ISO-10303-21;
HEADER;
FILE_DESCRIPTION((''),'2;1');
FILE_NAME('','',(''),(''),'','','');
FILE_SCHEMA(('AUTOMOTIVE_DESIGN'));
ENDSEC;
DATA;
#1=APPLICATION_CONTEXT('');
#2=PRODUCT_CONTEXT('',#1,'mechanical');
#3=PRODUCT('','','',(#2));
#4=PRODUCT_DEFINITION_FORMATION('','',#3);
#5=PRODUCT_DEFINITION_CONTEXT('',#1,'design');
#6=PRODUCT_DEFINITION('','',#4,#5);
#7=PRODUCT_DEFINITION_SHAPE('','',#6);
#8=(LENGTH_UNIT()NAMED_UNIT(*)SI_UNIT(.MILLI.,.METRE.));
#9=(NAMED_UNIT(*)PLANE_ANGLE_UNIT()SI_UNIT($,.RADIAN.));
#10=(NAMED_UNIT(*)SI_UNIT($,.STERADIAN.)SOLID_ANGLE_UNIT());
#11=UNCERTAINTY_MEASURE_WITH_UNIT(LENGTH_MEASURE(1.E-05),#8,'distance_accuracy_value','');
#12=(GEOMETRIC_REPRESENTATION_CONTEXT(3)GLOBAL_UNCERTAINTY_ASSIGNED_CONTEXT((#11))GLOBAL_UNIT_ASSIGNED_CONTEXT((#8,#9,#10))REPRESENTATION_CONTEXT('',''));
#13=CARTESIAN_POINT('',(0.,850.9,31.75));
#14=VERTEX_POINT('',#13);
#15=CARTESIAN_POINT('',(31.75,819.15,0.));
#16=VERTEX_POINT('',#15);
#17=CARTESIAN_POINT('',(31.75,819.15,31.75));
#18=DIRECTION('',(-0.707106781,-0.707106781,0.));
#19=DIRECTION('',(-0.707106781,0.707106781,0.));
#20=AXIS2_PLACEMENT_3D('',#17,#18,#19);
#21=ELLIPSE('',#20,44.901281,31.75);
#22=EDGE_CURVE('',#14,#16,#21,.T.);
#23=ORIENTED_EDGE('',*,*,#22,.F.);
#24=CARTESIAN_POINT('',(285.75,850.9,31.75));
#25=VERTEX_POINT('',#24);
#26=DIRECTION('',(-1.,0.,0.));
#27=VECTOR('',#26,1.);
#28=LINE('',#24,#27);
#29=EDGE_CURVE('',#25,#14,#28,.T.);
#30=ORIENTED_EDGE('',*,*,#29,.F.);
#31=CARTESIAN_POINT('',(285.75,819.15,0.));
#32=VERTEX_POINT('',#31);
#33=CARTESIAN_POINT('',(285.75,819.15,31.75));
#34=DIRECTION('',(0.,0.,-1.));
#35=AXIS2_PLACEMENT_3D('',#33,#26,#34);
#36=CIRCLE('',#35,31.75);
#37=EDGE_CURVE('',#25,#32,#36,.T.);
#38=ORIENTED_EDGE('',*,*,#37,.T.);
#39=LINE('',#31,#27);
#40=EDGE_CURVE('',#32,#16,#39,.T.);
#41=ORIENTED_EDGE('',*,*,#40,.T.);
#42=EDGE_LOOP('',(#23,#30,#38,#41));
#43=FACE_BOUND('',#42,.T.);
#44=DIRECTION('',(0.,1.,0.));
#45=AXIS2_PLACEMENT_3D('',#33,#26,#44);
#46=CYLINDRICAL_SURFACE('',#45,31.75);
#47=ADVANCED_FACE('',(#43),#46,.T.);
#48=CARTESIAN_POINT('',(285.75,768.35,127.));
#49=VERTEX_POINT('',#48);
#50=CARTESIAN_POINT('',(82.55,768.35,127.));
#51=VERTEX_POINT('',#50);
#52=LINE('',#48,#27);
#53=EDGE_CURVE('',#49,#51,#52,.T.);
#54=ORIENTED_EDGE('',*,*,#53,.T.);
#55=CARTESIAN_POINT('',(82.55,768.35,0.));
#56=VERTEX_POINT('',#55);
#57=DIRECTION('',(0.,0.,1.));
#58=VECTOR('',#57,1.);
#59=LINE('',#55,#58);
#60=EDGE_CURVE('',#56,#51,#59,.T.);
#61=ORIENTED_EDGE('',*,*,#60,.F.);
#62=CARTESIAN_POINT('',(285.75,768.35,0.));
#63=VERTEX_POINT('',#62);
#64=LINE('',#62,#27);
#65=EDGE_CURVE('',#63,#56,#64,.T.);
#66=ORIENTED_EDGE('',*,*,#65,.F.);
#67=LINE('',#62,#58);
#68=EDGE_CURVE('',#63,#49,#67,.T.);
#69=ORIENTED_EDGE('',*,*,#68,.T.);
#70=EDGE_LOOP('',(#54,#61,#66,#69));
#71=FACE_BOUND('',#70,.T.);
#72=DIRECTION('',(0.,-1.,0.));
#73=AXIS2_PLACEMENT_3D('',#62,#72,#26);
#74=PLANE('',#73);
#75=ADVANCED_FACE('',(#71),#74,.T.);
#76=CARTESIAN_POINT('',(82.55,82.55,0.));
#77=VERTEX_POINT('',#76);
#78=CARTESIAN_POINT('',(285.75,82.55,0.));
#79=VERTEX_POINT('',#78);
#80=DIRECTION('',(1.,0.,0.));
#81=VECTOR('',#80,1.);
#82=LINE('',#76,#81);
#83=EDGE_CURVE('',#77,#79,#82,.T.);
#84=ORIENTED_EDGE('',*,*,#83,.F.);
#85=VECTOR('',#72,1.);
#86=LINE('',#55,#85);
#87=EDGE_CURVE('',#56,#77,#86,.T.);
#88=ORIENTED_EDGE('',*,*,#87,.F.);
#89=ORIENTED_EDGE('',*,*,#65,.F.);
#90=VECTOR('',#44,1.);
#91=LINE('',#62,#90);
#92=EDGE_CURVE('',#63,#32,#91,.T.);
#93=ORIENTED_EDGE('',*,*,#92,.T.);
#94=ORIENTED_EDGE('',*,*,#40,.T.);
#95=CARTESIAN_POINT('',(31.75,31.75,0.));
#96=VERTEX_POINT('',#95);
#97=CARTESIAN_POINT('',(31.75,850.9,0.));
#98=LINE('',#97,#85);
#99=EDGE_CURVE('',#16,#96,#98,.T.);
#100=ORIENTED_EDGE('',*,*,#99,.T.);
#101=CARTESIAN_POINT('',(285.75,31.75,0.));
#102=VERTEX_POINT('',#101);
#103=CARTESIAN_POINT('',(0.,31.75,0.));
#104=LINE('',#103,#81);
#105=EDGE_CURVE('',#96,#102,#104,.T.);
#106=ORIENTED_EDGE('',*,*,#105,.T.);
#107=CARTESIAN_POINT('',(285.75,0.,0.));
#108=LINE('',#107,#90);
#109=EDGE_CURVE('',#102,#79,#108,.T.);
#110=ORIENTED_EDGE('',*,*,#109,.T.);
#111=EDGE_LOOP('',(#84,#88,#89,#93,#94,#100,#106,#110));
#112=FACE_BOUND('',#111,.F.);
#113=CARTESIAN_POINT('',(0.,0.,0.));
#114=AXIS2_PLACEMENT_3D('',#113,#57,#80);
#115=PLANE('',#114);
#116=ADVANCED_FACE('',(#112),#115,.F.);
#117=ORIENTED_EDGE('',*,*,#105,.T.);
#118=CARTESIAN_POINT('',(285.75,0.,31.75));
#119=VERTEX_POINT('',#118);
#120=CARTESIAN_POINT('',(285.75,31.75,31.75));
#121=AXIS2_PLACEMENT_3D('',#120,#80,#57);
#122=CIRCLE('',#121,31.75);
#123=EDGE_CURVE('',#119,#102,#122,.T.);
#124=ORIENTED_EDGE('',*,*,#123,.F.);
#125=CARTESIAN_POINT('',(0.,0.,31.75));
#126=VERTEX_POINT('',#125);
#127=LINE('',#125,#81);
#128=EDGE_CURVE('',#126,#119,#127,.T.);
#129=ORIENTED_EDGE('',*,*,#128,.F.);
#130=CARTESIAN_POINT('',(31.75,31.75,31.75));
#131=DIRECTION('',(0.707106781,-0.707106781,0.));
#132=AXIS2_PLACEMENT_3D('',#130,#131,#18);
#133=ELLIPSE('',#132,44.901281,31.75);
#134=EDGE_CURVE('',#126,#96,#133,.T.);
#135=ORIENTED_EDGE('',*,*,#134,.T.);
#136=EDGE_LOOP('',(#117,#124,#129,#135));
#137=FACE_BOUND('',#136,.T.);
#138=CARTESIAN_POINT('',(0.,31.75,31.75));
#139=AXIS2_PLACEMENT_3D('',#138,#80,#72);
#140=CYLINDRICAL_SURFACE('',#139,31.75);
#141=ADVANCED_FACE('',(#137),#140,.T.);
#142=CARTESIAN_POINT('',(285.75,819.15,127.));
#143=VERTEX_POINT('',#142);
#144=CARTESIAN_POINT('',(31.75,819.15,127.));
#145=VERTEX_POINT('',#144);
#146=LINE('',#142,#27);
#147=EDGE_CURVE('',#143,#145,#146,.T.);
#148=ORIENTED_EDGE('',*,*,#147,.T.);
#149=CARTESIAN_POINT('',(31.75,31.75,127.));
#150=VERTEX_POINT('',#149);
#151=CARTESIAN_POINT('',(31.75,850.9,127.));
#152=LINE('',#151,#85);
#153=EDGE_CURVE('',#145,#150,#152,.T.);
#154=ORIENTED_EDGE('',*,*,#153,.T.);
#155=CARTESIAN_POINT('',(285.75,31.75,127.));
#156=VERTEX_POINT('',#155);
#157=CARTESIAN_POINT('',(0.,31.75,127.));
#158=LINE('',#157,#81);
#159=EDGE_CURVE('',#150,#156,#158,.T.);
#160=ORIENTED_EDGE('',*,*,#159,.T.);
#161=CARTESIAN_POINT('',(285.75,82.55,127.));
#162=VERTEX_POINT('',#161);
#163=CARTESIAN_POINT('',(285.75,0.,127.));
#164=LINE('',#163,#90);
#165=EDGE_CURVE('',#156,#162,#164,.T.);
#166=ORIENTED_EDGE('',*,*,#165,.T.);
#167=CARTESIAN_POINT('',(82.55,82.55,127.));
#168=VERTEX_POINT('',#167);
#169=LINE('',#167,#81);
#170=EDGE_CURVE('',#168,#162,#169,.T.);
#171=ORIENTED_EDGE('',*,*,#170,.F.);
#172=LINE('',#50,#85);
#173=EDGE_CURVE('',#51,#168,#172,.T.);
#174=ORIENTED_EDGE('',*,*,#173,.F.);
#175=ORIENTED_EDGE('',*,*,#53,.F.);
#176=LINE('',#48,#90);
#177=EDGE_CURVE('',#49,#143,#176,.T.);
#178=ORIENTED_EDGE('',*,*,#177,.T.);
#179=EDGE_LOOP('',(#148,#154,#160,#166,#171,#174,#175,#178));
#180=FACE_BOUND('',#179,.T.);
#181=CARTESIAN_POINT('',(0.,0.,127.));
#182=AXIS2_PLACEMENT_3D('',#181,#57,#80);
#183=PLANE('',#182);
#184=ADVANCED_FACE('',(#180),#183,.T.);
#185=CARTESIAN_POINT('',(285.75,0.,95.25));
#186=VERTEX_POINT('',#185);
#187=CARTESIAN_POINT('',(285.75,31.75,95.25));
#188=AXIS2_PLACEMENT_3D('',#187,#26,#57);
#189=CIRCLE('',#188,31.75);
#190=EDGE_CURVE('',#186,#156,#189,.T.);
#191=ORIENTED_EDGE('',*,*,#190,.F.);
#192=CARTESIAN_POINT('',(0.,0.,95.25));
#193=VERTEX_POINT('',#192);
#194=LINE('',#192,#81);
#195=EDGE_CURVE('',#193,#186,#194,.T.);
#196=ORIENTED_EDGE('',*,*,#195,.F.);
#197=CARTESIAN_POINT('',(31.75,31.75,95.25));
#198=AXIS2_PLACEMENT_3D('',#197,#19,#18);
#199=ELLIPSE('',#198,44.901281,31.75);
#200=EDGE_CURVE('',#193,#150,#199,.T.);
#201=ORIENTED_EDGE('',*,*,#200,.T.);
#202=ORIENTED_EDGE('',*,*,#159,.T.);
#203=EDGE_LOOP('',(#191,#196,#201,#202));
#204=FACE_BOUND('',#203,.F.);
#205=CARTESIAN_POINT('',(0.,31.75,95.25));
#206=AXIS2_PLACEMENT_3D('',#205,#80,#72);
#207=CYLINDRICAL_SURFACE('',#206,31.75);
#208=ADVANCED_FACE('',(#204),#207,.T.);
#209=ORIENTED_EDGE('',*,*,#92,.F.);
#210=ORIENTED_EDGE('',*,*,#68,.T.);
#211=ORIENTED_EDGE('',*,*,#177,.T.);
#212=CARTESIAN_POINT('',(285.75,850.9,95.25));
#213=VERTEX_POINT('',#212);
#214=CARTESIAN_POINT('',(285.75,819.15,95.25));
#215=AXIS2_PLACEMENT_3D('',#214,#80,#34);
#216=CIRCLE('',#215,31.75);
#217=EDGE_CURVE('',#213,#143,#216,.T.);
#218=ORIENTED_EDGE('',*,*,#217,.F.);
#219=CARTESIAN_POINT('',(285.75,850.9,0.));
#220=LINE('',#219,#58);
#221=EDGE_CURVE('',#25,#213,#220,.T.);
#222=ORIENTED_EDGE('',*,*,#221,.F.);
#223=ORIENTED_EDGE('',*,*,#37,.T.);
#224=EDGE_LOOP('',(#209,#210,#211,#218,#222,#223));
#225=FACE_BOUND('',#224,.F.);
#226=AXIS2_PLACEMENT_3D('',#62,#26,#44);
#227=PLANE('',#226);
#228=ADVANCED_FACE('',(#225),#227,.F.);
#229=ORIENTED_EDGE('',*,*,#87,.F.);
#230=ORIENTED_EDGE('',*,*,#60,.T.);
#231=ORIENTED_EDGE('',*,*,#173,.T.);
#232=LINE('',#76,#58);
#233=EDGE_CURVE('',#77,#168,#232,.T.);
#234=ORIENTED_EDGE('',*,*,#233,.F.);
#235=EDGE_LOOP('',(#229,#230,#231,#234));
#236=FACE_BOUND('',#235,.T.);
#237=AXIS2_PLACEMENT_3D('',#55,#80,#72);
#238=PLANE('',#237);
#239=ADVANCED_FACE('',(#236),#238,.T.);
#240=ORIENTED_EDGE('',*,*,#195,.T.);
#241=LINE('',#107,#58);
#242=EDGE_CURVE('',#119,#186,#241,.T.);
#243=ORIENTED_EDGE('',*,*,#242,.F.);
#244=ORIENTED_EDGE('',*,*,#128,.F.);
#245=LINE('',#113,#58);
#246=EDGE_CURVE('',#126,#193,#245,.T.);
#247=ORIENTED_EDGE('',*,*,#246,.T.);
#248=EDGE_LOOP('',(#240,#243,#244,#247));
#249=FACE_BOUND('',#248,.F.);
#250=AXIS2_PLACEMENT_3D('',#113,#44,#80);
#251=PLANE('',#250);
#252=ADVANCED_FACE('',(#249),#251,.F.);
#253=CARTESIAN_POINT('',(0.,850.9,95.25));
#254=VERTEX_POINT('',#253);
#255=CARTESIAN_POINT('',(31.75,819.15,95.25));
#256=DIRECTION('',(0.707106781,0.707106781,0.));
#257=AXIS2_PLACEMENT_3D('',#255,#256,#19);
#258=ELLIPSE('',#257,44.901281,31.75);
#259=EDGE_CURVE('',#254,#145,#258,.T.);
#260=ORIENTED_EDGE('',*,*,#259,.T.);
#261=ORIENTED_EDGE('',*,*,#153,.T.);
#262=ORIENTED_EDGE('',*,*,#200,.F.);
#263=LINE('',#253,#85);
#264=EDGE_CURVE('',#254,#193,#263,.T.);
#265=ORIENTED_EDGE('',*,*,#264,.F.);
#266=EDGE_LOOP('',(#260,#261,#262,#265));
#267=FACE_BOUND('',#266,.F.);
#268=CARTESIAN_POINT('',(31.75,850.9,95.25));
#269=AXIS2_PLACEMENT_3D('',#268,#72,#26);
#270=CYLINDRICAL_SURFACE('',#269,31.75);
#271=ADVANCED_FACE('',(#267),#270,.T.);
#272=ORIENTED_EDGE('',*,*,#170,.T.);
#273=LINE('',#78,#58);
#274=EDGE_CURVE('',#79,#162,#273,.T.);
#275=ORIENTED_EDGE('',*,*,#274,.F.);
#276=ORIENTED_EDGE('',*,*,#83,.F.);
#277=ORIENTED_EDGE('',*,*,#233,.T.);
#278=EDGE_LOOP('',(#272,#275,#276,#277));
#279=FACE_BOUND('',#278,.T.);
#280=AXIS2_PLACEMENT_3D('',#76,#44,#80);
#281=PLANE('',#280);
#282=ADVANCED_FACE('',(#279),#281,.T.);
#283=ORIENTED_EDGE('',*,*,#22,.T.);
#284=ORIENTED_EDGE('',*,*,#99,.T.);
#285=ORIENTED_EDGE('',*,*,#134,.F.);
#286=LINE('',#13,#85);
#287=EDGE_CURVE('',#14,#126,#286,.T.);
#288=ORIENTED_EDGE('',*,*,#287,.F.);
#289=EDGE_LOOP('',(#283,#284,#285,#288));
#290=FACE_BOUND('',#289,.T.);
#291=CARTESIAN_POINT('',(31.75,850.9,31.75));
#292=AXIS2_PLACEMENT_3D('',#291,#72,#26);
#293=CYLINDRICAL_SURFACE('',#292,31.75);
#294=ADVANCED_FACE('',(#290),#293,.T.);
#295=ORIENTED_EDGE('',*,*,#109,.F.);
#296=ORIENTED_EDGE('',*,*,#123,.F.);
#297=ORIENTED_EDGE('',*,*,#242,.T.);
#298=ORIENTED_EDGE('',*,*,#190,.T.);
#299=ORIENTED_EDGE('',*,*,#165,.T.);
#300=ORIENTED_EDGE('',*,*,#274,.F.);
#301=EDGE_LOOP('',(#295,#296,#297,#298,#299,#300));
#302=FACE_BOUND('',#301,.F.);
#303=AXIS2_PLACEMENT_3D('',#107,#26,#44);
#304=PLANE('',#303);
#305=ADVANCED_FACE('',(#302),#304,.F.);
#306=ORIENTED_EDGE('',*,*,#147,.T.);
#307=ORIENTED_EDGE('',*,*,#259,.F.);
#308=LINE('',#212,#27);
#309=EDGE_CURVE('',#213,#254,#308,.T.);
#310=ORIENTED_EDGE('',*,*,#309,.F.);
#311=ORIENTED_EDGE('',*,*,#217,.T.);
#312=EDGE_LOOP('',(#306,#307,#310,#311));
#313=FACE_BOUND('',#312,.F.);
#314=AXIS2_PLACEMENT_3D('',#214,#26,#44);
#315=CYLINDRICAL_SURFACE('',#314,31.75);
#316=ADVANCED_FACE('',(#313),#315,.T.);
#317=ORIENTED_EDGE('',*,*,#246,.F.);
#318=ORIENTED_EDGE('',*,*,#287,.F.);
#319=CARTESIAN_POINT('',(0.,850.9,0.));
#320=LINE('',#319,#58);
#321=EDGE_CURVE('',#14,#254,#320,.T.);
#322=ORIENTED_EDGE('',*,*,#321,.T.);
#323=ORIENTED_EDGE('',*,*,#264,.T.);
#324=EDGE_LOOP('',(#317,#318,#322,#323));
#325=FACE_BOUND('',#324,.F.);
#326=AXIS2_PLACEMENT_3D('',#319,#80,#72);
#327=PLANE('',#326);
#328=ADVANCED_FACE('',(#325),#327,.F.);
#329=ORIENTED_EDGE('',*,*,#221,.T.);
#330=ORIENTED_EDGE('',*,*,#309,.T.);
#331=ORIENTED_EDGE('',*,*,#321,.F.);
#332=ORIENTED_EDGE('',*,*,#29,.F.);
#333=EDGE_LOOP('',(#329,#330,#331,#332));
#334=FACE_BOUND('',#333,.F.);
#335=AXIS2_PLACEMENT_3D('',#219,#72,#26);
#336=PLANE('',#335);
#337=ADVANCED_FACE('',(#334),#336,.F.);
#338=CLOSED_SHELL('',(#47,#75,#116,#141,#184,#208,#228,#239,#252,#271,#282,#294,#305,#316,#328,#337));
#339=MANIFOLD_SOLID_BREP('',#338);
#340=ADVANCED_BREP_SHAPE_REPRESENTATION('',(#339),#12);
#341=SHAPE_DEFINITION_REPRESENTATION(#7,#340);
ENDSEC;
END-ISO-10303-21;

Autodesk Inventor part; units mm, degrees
ref_plane "YZ Plane" through (0, 0, 0) normal (1, 0, 0) x (0, 1, 0)
ref_plane "XZ Plane" through (0, 0, 0) normal (0, 1, 0) x (-1, 0, 0)
ref_plane "XY Plane" through (0, 0, 0) normal (0, 0, 1) x (1, 0, 0)
sketch "Sketch1" plane through (0, 0, 0) normal (0, 0, 1) x (1, 0, 0)
  line L0 (0, 0) -> (285.75, 0)
  line L1 (285.75, 850.9) -> (0, 850.9)
  line L2 (0, 850.9) -> (0, 0)
  line L3 (285.75, 768.35) -> (82.55, 768.35)
  line L4 (82.55, 768.35) -> (82.55, 82.55)
  line L5 (82.55, 82.55) -> (285.75, 82.55)
  line L6 (285.75, 0) -> (285.75, 82.55)
  line L7 (285.75, 768.35) -> (285.75, 850.9)
  dimension "d0" = 82.55
  dimension "d1" = 82.55
  dimension "d3" = 203.2
  dimension "d4" = 203.2
  dimension "d5" = 685.8
  dimension "d6" = 82.55
extrude "Extrusion1" add sketch "Sketch1" along normal blind 127
fillet "Fillet1" radius 31.75 6 edges at (142.875, 850.9, 127) (142.875, 850.9, 0) (0, 425.45, 127) (0, 425.45, 0) (142.875, 0, 127) (142.875, 0, 0)
properties part number "Bumpers_Red"
